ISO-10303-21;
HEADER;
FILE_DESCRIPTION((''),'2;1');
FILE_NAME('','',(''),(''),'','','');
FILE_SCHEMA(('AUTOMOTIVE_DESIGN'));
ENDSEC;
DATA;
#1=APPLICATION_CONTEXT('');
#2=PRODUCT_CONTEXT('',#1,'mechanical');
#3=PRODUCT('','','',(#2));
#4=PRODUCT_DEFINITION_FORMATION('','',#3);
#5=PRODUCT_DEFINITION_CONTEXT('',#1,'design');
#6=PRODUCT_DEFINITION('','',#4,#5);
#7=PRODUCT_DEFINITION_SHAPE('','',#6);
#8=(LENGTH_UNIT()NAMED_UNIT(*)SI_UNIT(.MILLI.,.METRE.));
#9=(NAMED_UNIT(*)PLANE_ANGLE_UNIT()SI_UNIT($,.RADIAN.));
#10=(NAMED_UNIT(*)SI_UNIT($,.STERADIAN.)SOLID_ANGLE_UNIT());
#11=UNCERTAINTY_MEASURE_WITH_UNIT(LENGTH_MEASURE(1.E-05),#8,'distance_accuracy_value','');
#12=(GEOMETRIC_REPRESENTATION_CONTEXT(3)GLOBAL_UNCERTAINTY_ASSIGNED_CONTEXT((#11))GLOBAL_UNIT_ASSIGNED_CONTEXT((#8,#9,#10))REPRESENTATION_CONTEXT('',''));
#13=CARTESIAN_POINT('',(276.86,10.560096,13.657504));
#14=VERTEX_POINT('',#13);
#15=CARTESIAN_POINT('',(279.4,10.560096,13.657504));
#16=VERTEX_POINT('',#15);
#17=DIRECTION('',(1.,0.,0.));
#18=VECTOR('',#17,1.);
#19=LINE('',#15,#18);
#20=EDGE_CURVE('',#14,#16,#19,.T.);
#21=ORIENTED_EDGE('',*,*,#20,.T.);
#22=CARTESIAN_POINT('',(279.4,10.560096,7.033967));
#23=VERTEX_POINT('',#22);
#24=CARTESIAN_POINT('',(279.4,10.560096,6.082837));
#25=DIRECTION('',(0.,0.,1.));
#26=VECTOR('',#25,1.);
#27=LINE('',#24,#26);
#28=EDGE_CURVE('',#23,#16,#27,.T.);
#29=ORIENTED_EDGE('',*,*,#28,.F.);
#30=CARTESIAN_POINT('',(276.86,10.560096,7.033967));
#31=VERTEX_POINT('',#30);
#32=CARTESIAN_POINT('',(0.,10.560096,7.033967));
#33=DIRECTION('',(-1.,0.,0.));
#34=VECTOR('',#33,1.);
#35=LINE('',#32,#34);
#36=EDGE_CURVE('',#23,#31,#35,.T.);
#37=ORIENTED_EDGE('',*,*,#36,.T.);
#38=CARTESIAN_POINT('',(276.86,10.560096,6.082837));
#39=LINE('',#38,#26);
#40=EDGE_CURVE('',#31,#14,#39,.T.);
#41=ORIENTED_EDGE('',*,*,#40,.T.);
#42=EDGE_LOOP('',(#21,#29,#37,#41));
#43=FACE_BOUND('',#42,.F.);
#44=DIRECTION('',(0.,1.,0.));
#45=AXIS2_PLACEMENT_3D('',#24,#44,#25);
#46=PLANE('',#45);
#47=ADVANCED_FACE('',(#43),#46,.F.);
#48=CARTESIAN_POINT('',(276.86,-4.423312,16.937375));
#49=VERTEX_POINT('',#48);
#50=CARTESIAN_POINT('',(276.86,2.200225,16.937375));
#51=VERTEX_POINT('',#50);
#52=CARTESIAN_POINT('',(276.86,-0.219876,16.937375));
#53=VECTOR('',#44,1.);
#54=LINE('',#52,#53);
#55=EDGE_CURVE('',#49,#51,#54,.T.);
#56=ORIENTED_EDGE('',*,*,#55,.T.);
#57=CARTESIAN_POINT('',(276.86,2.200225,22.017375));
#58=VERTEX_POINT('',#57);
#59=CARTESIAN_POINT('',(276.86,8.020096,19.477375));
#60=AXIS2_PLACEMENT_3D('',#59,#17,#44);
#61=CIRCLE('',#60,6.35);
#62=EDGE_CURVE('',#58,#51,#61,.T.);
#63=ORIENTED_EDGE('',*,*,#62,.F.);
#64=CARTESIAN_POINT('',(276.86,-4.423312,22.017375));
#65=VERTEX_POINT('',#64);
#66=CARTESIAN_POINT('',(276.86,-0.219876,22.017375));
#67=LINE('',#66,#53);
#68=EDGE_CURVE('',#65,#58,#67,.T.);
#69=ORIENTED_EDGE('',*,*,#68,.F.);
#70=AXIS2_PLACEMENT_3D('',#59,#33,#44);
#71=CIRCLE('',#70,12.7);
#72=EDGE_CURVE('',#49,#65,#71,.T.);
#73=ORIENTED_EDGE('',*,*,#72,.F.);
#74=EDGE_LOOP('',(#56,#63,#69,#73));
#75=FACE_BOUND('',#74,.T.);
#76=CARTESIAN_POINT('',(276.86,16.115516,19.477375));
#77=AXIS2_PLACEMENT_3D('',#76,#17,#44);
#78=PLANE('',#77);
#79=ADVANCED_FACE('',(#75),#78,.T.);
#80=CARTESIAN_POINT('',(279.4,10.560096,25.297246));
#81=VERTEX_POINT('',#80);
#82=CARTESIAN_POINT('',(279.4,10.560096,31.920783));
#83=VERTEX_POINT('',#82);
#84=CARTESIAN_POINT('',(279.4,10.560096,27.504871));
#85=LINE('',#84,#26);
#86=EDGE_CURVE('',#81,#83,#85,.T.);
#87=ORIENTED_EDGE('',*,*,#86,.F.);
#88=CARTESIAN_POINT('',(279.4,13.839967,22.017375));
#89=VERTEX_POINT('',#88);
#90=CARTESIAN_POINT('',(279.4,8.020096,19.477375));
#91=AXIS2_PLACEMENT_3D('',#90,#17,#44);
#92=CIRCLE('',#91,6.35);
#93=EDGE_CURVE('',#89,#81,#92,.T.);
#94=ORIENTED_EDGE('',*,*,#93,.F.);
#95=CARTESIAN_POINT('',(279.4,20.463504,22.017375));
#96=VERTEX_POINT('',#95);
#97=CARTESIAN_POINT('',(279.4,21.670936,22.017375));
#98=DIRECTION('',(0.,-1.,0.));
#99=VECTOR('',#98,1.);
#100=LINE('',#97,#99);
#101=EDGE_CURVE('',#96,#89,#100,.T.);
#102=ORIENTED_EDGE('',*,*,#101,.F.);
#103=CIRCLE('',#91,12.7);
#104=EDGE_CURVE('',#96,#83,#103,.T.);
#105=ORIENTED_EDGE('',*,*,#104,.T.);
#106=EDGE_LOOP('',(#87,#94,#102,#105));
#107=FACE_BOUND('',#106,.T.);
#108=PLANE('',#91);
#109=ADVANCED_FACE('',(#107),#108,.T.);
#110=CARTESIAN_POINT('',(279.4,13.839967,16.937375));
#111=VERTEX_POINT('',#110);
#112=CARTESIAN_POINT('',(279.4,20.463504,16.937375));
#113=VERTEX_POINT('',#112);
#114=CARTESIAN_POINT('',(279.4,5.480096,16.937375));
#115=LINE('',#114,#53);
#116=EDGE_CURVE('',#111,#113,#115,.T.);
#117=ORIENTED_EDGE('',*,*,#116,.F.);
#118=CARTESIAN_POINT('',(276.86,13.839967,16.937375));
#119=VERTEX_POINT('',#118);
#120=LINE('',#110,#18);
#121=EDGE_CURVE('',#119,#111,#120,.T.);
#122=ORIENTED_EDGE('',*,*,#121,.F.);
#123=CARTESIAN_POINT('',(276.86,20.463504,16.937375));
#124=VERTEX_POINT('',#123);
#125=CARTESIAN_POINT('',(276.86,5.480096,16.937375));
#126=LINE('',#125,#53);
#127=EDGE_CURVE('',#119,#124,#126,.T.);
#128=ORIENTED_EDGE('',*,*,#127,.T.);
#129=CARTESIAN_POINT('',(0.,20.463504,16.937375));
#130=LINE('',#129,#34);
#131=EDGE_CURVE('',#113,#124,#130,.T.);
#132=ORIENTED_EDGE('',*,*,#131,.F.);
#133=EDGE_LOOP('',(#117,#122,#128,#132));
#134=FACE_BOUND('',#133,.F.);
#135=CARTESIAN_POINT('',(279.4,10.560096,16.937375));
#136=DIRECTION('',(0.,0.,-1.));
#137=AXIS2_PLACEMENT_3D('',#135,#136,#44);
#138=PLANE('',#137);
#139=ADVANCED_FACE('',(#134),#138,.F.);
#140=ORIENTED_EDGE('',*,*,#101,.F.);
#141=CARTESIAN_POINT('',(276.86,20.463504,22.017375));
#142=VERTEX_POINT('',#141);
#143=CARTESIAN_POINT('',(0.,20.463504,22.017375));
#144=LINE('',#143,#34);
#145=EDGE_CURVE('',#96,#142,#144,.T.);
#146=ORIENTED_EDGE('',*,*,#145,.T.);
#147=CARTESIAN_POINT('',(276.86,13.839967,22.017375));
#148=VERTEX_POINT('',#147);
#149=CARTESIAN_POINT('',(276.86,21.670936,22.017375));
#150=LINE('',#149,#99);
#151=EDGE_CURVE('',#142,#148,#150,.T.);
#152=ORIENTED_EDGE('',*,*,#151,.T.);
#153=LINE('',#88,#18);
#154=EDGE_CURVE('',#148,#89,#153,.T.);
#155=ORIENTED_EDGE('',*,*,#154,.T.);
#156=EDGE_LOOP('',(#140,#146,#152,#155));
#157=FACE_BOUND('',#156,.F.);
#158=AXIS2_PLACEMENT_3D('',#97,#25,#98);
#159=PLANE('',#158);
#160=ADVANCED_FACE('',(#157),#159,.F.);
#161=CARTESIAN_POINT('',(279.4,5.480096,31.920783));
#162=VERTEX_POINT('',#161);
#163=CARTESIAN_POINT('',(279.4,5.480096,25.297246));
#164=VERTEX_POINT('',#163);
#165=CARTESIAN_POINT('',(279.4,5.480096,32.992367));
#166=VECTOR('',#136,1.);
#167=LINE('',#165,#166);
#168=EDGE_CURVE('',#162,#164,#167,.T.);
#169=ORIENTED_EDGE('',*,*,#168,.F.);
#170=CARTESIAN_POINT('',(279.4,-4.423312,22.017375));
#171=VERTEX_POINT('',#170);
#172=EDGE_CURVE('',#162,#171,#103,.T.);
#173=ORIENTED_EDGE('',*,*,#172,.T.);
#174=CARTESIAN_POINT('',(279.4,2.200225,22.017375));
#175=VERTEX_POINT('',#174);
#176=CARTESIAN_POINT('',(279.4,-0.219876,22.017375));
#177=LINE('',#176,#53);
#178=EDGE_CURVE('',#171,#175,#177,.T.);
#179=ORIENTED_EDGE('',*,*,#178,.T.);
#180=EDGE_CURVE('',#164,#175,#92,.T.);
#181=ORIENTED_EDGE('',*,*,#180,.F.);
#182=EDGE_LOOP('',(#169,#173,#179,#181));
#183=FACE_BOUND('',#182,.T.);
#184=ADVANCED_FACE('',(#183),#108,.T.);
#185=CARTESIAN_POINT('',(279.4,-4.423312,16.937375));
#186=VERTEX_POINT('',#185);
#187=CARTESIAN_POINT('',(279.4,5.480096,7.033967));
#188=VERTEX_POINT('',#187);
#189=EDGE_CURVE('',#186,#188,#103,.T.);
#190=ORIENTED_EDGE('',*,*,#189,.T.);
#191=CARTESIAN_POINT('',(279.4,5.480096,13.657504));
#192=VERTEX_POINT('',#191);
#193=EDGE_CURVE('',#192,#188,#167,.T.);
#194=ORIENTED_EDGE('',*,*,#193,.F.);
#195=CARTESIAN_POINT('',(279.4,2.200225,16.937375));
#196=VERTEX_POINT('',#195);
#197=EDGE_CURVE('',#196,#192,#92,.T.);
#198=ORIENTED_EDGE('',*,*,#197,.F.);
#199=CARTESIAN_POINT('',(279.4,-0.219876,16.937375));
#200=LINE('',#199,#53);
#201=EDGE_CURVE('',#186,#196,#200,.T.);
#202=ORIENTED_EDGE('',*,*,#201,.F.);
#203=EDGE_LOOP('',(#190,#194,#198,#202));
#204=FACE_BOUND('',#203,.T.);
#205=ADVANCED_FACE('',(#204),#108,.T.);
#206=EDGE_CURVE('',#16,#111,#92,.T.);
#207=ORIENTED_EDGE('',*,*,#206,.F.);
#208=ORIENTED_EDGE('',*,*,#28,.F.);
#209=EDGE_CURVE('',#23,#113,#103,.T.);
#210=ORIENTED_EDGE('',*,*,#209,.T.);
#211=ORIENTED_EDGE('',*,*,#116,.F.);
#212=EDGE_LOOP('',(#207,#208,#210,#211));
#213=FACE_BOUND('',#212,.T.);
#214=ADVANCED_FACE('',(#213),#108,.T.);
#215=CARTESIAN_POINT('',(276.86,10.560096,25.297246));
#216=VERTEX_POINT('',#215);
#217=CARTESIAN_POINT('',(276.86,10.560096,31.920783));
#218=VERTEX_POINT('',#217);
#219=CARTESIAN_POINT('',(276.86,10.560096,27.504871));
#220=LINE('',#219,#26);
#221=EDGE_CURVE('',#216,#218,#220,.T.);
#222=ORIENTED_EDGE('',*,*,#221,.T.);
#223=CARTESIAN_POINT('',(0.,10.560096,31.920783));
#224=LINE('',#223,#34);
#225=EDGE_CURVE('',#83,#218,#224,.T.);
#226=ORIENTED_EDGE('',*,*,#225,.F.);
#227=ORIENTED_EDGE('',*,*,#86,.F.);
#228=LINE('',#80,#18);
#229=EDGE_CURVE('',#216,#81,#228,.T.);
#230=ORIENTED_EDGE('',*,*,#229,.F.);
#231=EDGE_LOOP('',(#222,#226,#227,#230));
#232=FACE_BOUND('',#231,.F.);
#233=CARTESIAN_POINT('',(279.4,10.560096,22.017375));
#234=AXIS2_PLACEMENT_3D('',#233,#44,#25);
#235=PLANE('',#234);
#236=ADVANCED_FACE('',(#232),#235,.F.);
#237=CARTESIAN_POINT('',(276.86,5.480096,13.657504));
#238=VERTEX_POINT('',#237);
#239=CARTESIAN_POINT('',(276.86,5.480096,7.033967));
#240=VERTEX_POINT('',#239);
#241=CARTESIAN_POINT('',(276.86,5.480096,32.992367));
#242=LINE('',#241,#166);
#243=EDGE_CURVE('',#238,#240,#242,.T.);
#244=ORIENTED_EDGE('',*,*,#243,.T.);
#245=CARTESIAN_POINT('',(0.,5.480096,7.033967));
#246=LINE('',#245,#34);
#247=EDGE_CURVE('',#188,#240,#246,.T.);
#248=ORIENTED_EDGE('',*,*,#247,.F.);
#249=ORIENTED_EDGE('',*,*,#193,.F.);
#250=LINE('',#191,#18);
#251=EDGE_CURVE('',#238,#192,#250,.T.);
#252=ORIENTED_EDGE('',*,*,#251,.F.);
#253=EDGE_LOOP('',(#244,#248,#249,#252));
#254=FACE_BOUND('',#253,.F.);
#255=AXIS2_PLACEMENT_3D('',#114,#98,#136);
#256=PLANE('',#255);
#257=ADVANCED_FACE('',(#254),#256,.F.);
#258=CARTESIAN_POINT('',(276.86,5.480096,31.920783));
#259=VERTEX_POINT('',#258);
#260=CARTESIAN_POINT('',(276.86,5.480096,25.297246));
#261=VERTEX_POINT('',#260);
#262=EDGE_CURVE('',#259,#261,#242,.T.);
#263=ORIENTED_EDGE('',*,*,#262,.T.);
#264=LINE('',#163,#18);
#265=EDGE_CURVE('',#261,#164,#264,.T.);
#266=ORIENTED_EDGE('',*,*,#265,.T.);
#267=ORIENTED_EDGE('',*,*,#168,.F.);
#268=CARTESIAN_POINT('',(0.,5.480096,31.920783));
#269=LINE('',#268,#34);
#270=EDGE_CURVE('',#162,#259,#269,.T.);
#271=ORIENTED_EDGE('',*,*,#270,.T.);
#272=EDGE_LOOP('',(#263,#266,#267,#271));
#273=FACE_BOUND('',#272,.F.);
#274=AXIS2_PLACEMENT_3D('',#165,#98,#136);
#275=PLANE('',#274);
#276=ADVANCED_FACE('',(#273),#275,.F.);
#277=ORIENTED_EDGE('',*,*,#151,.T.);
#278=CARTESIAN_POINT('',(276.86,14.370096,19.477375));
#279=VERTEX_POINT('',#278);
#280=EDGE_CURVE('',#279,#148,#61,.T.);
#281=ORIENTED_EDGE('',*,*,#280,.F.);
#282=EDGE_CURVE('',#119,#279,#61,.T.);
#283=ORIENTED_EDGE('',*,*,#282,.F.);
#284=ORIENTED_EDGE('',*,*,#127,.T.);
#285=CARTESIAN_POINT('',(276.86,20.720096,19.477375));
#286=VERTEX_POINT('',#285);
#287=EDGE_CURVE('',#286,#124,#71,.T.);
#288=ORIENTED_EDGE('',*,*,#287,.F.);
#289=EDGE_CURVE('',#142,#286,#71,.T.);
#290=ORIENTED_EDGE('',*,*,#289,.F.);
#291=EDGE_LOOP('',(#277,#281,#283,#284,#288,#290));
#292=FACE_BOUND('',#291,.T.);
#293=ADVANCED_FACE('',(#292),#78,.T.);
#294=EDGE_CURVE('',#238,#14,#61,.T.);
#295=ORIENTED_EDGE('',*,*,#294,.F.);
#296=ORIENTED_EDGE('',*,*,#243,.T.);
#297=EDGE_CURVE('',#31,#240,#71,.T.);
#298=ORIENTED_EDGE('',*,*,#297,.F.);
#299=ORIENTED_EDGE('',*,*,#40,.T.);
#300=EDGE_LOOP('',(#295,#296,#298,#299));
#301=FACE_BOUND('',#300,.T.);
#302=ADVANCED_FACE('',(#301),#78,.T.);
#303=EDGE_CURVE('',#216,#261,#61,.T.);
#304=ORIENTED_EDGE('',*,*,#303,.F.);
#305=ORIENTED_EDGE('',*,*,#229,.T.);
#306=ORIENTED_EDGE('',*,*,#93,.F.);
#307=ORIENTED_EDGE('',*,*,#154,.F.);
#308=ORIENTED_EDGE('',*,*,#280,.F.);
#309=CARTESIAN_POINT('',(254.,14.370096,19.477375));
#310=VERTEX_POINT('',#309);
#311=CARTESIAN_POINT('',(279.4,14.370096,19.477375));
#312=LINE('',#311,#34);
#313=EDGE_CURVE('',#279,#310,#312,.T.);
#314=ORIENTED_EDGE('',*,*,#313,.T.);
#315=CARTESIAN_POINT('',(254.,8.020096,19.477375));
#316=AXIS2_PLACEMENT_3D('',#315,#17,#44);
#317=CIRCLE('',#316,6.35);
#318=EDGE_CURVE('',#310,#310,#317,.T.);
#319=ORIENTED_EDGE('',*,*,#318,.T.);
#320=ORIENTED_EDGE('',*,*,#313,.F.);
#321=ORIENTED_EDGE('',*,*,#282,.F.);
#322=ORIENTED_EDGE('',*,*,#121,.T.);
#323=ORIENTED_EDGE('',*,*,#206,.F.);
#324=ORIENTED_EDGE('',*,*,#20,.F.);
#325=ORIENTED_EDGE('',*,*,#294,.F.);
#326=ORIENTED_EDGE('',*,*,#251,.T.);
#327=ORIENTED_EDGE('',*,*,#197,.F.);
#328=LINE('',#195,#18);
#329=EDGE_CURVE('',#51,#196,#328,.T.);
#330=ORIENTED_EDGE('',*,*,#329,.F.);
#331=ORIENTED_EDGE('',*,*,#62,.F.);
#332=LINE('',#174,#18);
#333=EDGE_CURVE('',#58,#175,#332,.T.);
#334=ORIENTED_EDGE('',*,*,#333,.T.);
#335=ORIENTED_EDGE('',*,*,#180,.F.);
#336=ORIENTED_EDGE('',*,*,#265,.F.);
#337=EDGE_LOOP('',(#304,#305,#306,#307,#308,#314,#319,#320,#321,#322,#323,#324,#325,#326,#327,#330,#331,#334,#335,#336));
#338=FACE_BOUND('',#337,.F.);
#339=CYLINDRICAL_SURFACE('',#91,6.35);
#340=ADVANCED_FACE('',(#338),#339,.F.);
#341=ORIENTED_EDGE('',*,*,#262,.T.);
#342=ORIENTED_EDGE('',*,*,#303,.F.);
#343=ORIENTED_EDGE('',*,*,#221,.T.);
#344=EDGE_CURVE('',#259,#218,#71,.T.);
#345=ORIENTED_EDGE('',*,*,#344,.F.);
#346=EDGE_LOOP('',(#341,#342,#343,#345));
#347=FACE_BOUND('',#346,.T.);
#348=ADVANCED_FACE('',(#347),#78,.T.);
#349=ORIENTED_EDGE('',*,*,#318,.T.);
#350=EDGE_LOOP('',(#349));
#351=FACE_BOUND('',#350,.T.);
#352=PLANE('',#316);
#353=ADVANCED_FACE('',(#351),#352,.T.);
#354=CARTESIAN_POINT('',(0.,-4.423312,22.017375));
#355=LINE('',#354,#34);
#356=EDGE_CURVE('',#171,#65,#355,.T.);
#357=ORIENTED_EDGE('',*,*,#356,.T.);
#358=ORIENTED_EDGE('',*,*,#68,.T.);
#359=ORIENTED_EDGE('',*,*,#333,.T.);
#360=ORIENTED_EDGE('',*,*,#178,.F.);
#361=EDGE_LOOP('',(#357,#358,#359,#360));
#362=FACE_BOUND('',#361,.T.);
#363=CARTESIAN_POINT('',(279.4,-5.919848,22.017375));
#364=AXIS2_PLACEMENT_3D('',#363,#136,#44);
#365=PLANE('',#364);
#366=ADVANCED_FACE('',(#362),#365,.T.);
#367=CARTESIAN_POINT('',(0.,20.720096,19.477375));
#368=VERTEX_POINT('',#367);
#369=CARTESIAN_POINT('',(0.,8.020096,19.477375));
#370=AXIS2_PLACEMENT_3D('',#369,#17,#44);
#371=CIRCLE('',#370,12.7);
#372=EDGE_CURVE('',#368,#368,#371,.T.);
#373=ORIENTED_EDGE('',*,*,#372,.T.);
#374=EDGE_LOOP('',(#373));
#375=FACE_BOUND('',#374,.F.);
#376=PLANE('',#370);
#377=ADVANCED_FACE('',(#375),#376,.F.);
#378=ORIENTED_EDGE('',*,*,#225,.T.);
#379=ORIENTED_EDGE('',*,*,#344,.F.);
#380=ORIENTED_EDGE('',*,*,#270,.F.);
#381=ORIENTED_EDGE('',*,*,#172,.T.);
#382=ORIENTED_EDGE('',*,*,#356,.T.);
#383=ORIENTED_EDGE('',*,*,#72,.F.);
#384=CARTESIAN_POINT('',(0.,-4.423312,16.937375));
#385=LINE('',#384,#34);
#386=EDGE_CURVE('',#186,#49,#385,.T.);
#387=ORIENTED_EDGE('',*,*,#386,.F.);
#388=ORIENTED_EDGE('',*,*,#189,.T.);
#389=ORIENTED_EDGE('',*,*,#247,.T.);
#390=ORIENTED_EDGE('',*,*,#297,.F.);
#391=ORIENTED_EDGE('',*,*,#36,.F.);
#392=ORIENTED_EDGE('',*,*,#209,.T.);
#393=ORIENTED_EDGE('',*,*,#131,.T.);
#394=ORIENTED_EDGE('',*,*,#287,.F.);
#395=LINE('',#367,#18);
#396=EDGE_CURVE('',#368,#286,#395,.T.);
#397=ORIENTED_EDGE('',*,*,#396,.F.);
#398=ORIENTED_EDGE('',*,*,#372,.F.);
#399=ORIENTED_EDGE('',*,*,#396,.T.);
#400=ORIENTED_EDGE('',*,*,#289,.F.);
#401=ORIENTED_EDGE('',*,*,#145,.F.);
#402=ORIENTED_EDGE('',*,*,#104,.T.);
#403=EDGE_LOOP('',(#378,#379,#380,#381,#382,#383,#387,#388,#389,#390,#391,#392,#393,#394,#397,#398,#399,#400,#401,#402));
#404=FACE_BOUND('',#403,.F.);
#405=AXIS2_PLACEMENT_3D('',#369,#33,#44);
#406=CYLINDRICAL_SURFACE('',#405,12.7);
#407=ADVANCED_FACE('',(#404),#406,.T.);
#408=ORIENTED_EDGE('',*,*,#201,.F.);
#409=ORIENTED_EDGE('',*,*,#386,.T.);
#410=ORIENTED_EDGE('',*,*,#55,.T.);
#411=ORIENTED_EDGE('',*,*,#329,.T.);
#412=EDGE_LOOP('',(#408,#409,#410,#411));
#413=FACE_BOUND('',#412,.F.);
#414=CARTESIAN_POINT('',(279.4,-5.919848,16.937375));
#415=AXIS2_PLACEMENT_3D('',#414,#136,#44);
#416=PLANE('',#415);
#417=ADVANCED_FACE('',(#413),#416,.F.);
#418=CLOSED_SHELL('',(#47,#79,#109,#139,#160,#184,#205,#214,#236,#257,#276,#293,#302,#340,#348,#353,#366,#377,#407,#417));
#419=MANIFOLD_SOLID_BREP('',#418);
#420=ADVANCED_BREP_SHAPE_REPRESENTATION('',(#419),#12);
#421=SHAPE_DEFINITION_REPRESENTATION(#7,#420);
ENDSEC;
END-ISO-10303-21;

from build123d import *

# Parameters (mm, degrees)
F0_R     = 12.7
F1_DEPTH = 279.4
F3_R     = 6.35
F4_DEPTH = 25.4
F2_W     = 5.08
F2_H     = 10.974992
F2_W_2   = 11.399944
F2_H_2   = 5.08
F5_DEPTH = 2.54


with BuildPart() as f1:
    # F0 (on Right) → F1 (new body)
    with BuildSketch(Plane.YZ):
        with Locations((8.020096, 19.477375)):
            Circle(F0_R)
    extrude(amount=F1_DEPTH)

    # F3 (on face) → F4 (cut)
    with BuildSketch(Plane.YZ.offset(279.4)):
        with Locations((8.020096, 19.477375)):
            Circle(F3_R)
    extrude(amount=-F4_DEPTH, mode=Mode.SUBTRACT)

    # F2 (on face) → F5 (cut)
    with BuildSketch(Plane.YZ.offset(279.4)):
        Polygon((10.560096, 22.017375), (10.560096, 19.477375), (10.560096, 16.937375), (21.670936, 16.937375), (21.670936, 22.017375), align=None)
        Polygon((10.560096, 16.937375), (10.560096, 19.477375), (10.560096, 22.017375), (5.480096, 22.017375), (5.480096, 16.937375), (8.020096, 16.937375), align=None)
        Polygon((10.560096, 6.082837), (10.560096, 16.937375), (8.020096, 16.937375), (5.480096, 16.937375), (5.480096, 6.082837), align=None)
        with Locations((8.020096, 27.504871)):
            Rectangle(F2_W, F2_H)
        with Locations((-0.219876, 19.477375)):
            Rectangle(F2_W_2, F2_H_2)
    extrude(amount=-F5_DEPTH, mode=Mode.SUBTRACT)


solid = f1.part
